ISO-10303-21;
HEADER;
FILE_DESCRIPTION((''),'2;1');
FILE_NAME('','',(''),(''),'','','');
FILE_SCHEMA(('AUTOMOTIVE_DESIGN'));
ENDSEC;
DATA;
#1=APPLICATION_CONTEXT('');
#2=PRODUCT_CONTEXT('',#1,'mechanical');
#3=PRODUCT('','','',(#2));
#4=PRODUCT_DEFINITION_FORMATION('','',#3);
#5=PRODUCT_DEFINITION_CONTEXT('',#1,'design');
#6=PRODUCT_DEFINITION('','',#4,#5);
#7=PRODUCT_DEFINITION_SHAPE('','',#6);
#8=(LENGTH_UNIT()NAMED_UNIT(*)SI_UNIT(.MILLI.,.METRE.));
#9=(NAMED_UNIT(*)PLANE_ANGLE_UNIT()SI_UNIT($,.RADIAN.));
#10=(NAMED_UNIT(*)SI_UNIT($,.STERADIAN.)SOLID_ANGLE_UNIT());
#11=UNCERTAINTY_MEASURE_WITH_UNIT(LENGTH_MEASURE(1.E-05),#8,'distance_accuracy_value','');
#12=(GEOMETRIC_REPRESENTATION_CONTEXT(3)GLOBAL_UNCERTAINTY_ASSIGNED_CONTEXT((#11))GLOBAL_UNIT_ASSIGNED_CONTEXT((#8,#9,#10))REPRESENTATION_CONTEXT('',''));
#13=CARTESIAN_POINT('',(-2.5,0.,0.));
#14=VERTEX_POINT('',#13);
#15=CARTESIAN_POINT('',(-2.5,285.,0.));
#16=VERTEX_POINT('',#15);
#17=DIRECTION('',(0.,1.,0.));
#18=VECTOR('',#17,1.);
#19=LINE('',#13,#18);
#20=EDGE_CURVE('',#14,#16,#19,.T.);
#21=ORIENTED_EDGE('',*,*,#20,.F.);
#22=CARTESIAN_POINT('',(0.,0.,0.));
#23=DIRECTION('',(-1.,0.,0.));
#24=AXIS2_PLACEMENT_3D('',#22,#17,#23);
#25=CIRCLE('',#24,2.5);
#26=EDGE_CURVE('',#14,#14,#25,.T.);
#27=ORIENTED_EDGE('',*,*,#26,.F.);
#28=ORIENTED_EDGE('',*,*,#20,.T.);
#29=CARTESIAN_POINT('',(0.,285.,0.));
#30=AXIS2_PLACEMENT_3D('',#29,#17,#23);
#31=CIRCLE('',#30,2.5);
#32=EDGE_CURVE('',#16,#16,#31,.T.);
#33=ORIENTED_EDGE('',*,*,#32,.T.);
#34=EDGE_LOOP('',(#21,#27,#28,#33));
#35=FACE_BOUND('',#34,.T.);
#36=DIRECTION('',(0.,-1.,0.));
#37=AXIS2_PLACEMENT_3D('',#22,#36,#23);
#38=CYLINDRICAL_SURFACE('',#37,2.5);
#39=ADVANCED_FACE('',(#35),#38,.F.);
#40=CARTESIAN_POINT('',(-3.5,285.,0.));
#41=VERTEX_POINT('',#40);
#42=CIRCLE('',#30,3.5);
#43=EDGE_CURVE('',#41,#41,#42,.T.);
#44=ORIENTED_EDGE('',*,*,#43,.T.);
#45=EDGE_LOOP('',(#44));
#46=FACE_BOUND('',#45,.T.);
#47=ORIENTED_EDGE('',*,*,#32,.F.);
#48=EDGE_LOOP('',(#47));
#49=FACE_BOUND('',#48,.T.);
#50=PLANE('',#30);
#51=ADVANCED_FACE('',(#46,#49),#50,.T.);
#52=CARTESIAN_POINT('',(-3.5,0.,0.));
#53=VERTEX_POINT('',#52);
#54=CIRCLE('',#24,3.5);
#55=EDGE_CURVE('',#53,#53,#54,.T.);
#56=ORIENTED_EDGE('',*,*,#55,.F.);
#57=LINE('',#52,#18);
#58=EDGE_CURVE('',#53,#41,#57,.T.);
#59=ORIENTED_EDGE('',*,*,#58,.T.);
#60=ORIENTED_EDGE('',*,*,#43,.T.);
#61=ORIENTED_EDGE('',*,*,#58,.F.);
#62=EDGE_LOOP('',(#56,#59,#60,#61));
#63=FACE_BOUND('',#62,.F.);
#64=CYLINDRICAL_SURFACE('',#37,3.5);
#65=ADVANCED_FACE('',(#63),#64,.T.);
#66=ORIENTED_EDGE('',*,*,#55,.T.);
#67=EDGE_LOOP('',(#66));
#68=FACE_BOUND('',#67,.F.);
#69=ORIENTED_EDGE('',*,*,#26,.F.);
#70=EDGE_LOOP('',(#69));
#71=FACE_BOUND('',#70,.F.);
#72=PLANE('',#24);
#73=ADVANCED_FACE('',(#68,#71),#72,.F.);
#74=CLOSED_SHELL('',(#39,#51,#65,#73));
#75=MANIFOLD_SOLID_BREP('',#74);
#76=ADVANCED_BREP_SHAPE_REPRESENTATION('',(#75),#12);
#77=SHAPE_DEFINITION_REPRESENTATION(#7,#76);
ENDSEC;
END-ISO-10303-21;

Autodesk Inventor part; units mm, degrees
ref_plane "YZ Plane" through (0, 0, 0) normal (1, 0, 0) x (0, 1, 0)
ref_plane "XZ Plane" through (0, 0, 0) normal (0, 1, 0) x (-1, 0, 0)
ref_plane "XY Plane" through (0, 0, 0) normal (0, 0, 1) x (1, 0, 0)
sketch "Sketch1" plane through (0, 0, 0) normal (0, 1, 0) x (-1, 0, 0)
  circle A0 centre (0, 0) radius 3.5
  circle A1 centre (0, 0) radius 2.5
  dimension "d0" = 7
  dimension "d3" = 5
extrude "Extrusion1" add sketch "Sketch1" along normal blind 285
properties part number "5P.00.06.01-IB-VTP-Main-Spar"
